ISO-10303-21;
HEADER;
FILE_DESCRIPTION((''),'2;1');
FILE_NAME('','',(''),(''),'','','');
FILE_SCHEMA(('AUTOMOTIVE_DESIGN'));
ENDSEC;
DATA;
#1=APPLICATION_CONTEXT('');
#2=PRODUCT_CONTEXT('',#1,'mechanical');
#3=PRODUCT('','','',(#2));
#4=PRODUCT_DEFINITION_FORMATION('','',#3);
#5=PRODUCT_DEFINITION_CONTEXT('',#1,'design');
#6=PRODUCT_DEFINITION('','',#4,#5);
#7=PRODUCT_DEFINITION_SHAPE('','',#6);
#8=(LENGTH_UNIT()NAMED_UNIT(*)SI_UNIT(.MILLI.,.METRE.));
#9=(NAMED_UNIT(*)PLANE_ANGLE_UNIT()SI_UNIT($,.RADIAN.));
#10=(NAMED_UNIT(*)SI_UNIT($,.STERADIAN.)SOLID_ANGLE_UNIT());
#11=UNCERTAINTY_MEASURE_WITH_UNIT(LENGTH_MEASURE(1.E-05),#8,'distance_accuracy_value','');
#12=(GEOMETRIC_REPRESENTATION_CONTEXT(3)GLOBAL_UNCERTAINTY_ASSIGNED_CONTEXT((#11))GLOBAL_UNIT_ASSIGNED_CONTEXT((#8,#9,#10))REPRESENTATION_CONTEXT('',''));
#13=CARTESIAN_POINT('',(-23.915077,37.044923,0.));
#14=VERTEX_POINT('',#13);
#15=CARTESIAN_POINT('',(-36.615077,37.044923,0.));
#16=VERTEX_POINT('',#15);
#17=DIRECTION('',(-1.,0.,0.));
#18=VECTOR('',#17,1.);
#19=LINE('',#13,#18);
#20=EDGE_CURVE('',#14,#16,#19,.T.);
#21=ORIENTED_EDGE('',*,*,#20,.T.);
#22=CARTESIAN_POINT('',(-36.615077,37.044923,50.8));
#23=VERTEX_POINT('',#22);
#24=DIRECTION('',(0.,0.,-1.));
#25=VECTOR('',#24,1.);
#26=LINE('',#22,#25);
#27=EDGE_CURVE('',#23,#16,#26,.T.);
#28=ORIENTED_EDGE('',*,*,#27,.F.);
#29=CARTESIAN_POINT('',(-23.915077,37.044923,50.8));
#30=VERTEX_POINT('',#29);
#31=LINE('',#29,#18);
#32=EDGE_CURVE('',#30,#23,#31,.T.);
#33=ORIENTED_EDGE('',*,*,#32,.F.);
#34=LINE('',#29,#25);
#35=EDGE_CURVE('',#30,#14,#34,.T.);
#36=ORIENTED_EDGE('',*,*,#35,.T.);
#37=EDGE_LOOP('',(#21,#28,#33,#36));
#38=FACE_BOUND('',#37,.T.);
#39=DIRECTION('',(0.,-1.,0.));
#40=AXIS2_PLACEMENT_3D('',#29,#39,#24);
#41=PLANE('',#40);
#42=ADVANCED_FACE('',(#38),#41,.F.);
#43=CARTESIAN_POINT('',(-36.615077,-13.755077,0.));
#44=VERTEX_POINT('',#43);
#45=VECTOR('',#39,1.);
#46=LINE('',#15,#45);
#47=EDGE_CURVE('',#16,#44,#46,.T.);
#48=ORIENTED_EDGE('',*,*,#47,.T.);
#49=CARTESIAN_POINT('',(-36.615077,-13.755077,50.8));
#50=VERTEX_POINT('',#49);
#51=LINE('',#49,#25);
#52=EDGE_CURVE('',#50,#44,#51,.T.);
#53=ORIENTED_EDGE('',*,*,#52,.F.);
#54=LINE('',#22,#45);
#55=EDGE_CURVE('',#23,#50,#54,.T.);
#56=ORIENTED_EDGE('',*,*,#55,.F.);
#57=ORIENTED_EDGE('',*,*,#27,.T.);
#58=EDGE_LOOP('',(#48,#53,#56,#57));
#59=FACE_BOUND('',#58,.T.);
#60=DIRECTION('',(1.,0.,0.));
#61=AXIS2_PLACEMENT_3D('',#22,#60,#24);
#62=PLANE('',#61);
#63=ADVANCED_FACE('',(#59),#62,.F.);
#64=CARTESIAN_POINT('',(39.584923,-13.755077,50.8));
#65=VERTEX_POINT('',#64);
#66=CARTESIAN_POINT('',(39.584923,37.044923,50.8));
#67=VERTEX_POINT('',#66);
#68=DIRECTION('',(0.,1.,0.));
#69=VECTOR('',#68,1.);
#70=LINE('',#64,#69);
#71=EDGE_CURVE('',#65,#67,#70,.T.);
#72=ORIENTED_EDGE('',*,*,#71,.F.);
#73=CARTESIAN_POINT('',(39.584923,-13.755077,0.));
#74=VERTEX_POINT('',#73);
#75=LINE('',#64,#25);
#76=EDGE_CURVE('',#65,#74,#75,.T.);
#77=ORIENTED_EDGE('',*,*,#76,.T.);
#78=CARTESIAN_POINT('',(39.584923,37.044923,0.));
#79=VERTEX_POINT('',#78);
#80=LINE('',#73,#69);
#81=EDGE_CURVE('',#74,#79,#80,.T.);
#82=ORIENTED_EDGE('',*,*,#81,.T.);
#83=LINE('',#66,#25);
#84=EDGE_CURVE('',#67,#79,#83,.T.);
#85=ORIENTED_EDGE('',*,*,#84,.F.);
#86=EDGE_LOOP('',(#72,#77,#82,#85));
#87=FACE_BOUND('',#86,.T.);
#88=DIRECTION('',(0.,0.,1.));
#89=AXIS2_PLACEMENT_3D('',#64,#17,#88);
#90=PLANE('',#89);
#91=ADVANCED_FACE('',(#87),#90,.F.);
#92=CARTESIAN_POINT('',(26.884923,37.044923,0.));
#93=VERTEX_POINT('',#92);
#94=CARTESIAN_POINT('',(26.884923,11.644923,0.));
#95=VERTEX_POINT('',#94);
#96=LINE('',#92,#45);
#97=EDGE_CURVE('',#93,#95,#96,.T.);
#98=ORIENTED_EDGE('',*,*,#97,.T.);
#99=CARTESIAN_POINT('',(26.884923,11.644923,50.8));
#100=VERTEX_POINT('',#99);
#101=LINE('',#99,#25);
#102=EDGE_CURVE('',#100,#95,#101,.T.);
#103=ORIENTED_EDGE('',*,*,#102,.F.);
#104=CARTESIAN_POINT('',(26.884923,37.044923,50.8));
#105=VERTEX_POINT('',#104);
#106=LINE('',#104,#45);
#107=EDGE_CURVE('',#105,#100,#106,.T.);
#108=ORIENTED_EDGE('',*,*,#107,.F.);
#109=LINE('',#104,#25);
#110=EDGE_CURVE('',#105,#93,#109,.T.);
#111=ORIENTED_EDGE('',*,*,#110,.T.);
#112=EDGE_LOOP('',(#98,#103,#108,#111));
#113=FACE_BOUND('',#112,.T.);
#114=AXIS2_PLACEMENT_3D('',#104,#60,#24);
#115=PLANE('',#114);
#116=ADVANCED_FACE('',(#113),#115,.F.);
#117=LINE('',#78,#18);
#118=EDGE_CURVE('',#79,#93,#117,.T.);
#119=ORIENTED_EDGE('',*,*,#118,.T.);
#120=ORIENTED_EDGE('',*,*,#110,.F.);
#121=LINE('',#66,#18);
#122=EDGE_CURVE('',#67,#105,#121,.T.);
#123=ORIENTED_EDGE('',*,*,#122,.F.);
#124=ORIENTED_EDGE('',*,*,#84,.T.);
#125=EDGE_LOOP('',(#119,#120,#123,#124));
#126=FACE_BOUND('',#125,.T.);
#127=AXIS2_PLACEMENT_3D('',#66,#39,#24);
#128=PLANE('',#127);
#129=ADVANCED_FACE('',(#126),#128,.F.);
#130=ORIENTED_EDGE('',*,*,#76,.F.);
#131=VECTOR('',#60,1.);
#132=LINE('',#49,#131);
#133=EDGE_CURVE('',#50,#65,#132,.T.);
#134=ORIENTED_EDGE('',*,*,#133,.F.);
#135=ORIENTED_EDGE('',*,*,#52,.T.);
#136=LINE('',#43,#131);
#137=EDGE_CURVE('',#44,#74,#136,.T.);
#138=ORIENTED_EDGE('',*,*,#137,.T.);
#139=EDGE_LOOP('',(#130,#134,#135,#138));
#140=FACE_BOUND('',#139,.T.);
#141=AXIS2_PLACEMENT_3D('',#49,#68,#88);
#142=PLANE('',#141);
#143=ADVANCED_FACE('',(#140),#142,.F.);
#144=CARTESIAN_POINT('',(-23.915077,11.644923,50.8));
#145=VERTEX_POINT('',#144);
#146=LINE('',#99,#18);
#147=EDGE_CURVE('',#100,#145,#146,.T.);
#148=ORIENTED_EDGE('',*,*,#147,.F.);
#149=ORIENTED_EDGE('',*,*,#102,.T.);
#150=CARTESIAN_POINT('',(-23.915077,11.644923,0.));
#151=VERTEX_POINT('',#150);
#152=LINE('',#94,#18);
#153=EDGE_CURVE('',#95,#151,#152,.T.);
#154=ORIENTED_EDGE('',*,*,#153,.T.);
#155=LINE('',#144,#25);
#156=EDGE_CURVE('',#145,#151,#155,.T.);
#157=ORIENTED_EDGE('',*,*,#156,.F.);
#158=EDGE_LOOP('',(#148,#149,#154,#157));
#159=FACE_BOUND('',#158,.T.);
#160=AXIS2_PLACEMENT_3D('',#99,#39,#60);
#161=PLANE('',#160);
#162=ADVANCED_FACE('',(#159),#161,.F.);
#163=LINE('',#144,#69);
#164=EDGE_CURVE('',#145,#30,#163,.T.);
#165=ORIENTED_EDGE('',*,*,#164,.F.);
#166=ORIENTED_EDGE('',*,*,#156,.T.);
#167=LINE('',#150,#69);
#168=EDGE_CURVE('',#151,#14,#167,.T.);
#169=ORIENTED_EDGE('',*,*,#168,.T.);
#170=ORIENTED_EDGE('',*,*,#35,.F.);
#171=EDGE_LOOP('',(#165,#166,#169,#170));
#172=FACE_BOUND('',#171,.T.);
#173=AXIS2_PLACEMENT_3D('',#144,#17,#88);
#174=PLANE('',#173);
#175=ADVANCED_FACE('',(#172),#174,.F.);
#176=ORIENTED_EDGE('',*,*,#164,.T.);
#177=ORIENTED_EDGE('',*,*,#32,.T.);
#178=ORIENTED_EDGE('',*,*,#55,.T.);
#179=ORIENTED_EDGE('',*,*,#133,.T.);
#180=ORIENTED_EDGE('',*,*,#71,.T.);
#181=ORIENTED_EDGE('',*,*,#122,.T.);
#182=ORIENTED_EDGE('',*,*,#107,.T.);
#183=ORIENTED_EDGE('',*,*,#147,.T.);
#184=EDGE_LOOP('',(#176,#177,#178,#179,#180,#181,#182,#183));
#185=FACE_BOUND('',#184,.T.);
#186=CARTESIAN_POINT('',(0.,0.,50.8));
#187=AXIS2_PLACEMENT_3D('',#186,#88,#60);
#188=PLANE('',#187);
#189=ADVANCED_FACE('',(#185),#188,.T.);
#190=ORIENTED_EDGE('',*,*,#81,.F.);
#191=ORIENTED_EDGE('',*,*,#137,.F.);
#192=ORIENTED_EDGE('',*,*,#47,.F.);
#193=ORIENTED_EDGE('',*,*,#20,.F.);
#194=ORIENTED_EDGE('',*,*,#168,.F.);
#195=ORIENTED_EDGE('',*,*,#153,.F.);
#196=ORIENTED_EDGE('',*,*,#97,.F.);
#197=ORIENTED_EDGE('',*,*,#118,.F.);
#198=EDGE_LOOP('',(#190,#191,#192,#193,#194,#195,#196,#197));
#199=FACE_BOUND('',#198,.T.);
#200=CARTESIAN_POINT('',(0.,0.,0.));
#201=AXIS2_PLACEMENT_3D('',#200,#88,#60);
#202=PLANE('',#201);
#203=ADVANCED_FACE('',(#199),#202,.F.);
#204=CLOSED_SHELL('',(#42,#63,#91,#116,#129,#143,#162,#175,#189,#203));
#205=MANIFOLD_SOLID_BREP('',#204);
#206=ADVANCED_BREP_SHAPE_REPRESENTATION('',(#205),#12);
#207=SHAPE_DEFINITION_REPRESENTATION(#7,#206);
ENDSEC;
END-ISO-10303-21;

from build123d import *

# Parameters (mm, degrees)
BOSS_EXTRUDE1_DEPTH = 50.8


with BuildPart() as part:
    # Sketch2 → Boss-Extrude1 (new body)
    with BuildSketch(Plane.XY):
        Polygon((-36.615076923, 37.044923077), (-36.615076923, -13.755076923), (39.584923077, -13.755076923), (39.584923077, 37.044923077), (26.884923077, 37.044923077), (26.884923077, 11.644923077), (-23.915076923, 11.644923077), (-23.915076923, 37.044923077), align=None)
    extrude(amount=BOSS_EXTRUDE1_DEPTH)


solid = part.part
